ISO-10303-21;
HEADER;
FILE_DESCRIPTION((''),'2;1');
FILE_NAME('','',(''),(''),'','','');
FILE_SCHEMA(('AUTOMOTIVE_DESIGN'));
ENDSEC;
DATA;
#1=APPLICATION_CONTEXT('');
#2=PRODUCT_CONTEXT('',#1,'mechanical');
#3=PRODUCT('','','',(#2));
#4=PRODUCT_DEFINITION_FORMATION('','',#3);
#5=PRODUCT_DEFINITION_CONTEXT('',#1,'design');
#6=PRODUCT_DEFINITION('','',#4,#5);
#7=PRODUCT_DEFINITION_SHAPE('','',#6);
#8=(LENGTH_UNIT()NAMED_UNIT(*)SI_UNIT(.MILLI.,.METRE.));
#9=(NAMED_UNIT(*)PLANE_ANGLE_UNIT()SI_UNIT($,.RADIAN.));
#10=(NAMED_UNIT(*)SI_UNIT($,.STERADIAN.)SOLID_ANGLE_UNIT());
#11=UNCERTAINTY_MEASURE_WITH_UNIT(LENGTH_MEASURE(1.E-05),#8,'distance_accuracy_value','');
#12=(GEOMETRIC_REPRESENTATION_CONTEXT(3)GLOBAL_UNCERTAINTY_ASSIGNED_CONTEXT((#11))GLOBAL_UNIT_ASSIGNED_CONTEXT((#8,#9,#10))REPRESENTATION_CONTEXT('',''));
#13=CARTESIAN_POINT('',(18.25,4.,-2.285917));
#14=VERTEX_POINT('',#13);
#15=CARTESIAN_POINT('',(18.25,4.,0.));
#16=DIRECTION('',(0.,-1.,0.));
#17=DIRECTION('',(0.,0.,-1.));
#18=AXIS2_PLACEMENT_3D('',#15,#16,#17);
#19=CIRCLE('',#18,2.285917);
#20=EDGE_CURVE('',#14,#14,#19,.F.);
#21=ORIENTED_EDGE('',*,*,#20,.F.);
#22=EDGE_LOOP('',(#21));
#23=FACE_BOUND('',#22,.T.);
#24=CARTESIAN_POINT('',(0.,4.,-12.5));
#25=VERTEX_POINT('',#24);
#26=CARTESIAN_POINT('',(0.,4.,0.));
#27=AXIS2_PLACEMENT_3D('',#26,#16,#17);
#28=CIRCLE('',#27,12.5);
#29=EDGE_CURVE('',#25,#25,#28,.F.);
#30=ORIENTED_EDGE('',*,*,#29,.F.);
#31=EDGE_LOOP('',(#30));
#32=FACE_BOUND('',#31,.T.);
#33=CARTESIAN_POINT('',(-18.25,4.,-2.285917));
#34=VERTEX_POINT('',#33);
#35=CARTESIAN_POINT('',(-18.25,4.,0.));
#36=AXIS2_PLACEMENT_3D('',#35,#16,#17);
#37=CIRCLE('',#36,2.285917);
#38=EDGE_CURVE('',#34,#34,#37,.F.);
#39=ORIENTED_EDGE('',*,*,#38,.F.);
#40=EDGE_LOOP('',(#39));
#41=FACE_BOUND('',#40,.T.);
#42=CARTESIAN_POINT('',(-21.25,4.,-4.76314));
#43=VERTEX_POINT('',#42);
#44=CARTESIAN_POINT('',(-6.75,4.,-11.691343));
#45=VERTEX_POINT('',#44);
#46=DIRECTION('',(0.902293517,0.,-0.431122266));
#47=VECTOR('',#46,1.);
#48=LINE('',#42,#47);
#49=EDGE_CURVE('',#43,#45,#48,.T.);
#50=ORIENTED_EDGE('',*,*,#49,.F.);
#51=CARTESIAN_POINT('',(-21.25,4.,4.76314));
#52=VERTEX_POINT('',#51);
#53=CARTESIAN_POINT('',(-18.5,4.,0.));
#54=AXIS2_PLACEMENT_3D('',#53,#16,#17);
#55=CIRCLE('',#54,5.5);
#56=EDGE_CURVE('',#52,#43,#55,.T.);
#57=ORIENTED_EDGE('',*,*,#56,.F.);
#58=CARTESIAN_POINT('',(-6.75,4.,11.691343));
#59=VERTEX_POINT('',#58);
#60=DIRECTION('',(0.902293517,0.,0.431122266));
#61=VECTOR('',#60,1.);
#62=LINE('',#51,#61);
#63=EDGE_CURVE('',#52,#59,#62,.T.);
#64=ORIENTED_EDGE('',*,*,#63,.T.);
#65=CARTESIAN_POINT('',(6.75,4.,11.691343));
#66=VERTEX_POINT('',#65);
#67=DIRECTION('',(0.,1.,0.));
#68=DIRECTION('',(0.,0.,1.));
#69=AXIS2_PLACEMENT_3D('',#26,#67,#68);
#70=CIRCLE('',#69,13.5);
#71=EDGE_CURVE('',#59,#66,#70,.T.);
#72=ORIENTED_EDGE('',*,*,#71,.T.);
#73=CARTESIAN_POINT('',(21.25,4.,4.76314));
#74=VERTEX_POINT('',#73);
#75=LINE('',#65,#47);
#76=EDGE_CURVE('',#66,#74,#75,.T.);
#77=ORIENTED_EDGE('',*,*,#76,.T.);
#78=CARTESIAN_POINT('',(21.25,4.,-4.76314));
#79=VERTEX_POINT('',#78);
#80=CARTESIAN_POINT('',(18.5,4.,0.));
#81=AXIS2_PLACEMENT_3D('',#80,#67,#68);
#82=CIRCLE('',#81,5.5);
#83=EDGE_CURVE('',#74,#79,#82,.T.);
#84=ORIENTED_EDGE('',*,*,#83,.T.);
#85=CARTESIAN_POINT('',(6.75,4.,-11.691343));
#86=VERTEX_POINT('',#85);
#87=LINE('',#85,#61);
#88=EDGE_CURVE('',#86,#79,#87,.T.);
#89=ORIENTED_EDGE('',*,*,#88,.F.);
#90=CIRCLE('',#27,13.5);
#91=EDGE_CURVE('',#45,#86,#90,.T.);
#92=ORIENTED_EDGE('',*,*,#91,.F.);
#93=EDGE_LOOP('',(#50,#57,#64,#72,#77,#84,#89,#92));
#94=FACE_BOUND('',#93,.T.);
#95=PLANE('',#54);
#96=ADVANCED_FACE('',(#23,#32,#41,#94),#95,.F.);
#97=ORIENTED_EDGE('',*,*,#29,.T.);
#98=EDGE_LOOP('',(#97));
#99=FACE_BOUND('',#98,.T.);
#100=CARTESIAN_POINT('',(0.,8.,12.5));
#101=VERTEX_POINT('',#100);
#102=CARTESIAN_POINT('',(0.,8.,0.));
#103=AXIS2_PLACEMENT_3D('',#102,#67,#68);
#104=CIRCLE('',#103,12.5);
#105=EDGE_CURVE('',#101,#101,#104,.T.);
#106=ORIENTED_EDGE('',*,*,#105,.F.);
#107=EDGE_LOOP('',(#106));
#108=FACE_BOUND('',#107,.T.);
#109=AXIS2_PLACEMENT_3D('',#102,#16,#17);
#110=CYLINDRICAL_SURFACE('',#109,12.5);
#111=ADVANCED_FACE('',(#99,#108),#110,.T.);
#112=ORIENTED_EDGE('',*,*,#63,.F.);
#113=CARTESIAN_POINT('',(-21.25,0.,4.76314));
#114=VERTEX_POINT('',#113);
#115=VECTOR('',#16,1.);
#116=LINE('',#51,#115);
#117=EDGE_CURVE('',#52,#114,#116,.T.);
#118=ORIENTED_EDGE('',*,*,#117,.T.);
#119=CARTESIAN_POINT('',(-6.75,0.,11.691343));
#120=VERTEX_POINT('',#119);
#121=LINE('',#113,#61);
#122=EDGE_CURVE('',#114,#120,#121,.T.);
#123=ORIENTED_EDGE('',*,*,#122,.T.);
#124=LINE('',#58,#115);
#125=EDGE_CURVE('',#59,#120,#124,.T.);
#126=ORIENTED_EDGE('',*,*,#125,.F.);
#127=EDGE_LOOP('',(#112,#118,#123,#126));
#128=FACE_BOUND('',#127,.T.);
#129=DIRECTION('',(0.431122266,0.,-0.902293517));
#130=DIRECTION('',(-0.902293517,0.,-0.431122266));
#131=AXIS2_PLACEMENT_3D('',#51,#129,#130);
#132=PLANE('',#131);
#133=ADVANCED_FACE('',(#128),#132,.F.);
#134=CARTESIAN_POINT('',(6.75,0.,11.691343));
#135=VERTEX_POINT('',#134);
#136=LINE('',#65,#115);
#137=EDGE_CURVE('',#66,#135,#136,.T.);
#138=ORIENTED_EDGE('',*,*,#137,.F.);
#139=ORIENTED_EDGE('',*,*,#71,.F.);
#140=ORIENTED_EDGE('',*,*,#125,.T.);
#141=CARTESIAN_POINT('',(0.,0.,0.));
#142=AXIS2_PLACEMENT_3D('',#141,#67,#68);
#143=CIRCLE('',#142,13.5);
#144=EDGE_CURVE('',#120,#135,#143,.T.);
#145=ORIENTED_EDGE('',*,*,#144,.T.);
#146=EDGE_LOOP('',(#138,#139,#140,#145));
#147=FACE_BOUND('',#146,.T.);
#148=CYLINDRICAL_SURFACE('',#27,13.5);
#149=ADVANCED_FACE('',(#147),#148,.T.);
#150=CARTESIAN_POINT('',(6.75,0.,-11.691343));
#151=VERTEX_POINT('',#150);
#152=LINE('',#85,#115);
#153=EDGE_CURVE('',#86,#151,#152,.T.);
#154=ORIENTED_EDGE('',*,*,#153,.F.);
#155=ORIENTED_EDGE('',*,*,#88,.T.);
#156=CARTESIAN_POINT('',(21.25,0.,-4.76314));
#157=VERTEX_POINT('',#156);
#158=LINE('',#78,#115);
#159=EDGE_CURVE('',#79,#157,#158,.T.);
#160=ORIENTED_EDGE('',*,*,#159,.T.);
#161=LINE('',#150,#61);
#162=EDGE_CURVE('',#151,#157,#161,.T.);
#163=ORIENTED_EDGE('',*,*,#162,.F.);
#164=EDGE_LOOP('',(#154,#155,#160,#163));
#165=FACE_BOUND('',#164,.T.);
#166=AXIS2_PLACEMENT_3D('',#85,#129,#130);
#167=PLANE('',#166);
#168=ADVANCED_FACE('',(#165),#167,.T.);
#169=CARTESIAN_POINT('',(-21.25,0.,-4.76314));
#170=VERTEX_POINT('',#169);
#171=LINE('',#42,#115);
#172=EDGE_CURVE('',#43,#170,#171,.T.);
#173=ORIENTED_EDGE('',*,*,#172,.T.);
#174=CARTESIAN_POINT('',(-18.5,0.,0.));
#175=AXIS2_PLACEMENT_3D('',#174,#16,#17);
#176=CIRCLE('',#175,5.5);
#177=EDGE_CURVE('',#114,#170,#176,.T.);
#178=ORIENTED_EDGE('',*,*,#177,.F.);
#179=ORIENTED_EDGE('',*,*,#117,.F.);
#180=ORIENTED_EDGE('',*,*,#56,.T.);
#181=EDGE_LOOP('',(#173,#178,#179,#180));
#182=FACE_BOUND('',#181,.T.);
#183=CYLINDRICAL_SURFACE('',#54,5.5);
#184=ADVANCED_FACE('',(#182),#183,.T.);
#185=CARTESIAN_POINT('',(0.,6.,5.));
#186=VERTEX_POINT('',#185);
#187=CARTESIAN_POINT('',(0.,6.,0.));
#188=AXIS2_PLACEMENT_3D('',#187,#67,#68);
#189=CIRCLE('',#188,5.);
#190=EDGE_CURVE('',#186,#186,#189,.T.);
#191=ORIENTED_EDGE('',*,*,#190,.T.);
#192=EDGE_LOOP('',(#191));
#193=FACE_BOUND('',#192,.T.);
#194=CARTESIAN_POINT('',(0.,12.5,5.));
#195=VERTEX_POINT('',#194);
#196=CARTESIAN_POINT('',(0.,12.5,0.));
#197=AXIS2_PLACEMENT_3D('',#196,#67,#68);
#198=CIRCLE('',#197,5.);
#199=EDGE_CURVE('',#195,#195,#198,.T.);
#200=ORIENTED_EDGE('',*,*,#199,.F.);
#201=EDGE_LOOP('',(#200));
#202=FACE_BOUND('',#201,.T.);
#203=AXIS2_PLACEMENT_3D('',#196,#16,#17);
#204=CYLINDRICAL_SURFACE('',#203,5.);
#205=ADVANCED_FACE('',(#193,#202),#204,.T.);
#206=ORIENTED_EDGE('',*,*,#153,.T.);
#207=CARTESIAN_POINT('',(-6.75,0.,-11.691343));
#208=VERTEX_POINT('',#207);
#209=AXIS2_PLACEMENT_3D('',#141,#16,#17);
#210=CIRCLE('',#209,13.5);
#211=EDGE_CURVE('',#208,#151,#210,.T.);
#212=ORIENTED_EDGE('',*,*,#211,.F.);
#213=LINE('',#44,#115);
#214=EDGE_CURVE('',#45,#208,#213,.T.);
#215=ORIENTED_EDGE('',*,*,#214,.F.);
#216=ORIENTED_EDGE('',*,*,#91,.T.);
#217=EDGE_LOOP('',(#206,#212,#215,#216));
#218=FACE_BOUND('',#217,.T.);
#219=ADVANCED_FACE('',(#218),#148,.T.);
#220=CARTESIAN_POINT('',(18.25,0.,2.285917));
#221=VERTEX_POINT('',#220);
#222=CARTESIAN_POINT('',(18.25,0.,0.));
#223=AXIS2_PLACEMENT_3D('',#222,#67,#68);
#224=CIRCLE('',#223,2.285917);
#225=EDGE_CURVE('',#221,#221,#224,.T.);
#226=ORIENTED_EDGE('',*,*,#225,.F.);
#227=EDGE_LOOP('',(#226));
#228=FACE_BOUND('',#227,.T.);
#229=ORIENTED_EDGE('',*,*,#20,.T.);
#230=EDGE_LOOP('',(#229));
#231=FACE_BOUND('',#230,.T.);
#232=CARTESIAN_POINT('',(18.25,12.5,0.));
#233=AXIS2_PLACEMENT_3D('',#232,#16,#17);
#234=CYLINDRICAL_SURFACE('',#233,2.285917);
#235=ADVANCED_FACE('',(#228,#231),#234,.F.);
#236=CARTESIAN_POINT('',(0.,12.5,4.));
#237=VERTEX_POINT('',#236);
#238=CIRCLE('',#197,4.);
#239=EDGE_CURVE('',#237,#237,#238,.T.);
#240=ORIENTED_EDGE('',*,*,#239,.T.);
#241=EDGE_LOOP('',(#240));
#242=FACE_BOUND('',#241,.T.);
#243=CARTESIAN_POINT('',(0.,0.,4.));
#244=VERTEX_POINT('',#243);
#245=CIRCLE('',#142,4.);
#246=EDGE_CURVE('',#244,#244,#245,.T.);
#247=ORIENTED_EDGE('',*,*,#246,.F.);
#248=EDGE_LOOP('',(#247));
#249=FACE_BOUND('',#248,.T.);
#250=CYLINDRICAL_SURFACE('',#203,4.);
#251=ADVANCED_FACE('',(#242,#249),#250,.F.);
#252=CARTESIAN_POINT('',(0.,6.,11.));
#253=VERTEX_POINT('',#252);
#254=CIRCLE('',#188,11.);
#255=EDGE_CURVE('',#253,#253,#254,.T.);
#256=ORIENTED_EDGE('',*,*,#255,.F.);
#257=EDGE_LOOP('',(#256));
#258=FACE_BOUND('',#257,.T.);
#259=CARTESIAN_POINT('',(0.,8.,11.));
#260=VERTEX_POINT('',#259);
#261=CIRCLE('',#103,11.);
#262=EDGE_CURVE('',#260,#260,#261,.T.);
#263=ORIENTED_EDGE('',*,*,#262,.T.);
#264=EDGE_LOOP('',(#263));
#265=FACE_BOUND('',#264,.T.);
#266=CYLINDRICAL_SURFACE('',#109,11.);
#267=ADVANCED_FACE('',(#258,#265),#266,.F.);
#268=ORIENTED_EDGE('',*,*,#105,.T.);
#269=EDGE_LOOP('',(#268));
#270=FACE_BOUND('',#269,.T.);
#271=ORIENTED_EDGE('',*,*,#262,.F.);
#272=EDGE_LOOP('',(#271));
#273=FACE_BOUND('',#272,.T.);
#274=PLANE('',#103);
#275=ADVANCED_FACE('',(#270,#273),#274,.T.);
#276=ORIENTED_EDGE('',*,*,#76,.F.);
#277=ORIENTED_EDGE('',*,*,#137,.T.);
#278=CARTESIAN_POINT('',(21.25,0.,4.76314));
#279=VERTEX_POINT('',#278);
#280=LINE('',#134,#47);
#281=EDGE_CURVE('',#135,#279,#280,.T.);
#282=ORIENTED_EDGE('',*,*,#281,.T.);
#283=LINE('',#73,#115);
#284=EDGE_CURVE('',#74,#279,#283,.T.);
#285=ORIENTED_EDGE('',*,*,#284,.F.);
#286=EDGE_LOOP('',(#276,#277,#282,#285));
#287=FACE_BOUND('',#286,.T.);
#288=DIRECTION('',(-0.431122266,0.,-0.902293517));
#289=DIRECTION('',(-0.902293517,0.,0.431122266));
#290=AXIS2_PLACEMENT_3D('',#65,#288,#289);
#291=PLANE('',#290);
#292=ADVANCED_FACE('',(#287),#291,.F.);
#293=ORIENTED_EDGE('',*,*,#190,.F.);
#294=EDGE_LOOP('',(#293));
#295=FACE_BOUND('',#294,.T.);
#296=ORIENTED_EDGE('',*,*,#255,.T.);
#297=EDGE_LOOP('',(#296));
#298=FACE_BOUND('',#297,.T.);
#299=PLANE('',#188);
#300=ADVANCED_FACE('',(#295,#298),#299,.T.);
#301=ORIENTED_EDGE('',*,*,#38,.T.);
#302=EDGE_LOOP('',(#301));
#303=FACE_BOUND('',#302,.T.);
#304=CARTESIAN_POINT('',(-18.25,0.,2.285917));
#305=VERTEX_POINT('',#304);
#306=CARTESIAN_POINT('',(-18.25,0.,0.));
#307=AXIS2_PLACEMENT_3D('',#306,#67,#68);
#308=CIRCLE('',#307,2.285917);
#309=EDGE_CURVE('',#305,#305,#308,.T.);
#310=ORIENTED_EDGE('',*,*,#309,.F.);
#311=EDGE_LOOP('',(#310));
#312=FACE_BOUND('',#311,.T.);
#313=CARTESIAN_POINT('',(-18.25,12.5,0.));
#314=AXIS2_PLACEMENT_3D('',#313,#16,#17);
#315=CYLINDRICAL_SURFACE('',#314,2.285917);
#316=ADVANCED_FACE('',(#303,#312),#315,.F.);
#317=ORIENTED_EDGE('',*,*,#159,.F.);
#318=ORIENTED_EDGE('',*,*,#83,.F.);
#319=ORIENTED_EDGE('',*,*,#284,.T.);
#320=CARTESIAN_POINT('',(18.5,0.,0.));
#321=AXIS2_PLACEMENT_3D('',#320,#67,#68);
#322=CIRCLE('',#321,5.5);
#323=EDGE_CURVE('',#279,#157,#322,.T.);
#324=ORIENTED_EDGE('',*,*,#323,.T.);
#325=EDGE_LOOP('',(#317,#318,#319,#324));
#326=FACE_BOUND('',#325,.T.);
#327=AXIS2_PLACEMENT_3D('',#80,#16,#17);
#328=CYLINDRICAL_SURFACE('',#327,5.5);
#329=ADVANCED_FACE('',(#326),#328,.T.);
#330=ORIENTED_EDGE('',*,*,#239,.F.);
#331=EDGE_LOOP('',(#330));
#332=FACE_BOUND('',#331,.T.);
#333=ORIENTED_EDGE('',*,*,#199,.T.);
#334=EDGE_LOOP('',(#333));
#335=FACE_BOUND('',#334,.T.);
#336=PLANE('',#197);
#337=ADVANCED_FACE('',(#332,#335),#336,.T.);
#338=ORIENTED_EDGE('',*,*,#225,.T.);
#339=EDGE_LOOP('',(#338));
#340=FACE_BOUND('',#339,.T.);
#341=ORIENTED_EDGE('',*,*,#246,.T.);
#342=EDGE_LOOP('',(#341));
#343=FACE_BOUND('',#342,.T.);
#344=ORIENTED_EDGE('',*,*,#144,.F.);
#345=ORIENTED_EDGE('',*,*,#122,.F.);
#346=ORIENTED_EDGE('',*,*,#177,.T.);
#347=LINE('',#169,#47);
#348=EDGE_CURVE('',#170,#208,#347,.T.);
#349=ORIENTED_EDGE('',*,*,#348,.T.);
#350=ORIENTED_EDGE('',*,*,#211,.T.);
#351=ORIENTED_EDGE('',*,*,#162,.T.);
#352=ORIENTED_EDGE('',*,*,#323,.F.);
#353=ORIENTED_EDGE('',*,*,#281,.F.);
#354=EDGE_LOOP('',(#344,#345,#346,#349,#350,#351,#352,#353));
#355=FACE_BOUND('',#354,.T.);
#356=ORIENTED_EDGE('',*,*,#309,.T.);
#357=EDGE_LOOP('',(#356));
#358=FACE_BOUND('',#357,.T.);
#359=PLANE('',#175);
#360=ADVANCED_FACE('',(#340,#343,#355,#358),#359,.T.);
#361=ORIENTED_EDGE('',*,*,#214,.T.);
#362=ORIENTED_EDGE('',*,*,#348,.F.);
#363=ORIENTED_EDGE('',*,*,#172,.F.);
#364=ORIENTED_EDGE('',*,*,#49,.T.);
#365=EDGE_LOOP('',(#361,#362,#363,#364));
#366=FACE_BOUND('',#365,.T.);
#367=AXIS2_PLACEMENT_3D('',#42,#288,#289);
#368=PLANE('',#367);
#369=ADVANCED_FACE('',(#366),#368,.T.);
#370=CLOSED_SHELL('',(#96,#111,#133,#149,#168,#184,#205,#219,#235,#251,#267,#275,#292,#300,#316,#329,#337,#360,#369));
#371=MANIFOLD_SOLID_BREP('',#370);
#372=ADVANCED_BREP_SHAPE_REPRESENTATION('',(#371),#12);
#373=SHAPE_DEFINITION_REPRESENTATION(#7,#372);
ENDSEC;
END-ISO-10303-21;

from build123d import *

# Parameters (mm, degrees)
BOSS_EXTRUDE1_DEPTH = 4
SKETCH1_3_R         = 12.5
SKETCH1_3_R_2       = 11
BOSS_EXTRUDE2_DEPTH = 8
SKETCH1_4_R         = 5
SKETCH1_4_R_2       = 4
BOSS_EXTRUDE3_DEPTH = 12.5
SKETCH3_R           = 11
SKETCH3_R_2         = 5
BOSS_EXTRUDE4_DEPTH = 2
SKETCH1_5_R         = 4
SKETCH1_5_R_2       = 2.285917385
CUT_EXTRUDE1_DEPTH  = 31.24070105


with BuildPart() as part:
    # Sketch1 → Boss-Extrude1 (new body)
    with BuildSketch(Plane(origin=(0, 0, 0), x_dir=(1, 0, 0), z_dir=(0, 1, 0))):
        with BuildLine():
            Line((-21.25, 4.763139721), (-6.75, 11.691342951))
            ThreePointArc((-6.75, 11.691342951), (0, 13.5), (6.75, 11.691342951))
            Line((6.75, 11.691342951), (21.25, 4.763139721))
            ThreePointArc((21.25, 4.763139721), (24, 0), (21.25, -4.763139721))
            Line((21.25, -4.763139721), (6.75, -11.691342951))
            ThreePointArc((6.75, -11.691342951), (0, -13.5), (-6.75, -11.691342951))
            Line((-6.75, -11.691342951), (-21.25, -4.763139721))
            ThreePointArc((-21.25, -4.763139721), (-24, 0), (-21.25, 4.763139721))
        make_face()
    extrude(amount=BOSS_EXTRUDE1_DEPTH)

    # Sketch1<3> → Boss-Extrude2 (add)
    with BuildSketch(Plane(origin=(0, 0, 0), x_dir=(1, 0, 0), z_dir=(0, 1, 0))):
        Circle(SKETCH1_3_R)
        Circle(SKETCH1_3_R_2, mode=Mode.SUBTRACT)
    extrude(amount=BOSS_EXTRUDE2_DEPTH)

    # Sketch1<4> → Boss-Extrude3 (add)
    with BuildSketch(Plane(origin=(0, 0, 0), x_dir=(1, 0, 0), z_dir=(0, 1, 0))):
        Circle(SKETCH1_4_R)
        Circle(SKETCH1_4_R_2, mode=Mode.SUBTRACT)
    extrude(amount=BOSS_EXTRUDE3_DEPTH)

    # Sketch3 → Boss-Extrude4 (add)
    with BuildSketch(Plane(origin=(0, 4, 0), x_dir=(1, 0, 0), z_dir=(0, 1, 0))):
        Circle(SKETCH3_R)
        Circle(SKETCH3_R_2, mode=Mode.SUBTRACT)
    extrude(amount=BOSS_EXTRUDE4_DEPTH)

    # Sketch1<5> → Cut-Extrude1 (cut, through all)
    with BuildSketch(Plane(origin=(0, 0, 0), x_dir=(1, 0, 0), z_dir=(0, 1, 0))):
        Circle(SKETCH1_5_R)
        with Locations((18.25, 0)):
            Circle(SKETCH1_5_R_2)
        with Locations((-18.25, 0)):
            Circle(SKETCH1_5_R_2)
    extrude(amount=CUT_EXTRUDE1_DEPTH, mode=Mode.SUBTRACT)


solid = part.part
